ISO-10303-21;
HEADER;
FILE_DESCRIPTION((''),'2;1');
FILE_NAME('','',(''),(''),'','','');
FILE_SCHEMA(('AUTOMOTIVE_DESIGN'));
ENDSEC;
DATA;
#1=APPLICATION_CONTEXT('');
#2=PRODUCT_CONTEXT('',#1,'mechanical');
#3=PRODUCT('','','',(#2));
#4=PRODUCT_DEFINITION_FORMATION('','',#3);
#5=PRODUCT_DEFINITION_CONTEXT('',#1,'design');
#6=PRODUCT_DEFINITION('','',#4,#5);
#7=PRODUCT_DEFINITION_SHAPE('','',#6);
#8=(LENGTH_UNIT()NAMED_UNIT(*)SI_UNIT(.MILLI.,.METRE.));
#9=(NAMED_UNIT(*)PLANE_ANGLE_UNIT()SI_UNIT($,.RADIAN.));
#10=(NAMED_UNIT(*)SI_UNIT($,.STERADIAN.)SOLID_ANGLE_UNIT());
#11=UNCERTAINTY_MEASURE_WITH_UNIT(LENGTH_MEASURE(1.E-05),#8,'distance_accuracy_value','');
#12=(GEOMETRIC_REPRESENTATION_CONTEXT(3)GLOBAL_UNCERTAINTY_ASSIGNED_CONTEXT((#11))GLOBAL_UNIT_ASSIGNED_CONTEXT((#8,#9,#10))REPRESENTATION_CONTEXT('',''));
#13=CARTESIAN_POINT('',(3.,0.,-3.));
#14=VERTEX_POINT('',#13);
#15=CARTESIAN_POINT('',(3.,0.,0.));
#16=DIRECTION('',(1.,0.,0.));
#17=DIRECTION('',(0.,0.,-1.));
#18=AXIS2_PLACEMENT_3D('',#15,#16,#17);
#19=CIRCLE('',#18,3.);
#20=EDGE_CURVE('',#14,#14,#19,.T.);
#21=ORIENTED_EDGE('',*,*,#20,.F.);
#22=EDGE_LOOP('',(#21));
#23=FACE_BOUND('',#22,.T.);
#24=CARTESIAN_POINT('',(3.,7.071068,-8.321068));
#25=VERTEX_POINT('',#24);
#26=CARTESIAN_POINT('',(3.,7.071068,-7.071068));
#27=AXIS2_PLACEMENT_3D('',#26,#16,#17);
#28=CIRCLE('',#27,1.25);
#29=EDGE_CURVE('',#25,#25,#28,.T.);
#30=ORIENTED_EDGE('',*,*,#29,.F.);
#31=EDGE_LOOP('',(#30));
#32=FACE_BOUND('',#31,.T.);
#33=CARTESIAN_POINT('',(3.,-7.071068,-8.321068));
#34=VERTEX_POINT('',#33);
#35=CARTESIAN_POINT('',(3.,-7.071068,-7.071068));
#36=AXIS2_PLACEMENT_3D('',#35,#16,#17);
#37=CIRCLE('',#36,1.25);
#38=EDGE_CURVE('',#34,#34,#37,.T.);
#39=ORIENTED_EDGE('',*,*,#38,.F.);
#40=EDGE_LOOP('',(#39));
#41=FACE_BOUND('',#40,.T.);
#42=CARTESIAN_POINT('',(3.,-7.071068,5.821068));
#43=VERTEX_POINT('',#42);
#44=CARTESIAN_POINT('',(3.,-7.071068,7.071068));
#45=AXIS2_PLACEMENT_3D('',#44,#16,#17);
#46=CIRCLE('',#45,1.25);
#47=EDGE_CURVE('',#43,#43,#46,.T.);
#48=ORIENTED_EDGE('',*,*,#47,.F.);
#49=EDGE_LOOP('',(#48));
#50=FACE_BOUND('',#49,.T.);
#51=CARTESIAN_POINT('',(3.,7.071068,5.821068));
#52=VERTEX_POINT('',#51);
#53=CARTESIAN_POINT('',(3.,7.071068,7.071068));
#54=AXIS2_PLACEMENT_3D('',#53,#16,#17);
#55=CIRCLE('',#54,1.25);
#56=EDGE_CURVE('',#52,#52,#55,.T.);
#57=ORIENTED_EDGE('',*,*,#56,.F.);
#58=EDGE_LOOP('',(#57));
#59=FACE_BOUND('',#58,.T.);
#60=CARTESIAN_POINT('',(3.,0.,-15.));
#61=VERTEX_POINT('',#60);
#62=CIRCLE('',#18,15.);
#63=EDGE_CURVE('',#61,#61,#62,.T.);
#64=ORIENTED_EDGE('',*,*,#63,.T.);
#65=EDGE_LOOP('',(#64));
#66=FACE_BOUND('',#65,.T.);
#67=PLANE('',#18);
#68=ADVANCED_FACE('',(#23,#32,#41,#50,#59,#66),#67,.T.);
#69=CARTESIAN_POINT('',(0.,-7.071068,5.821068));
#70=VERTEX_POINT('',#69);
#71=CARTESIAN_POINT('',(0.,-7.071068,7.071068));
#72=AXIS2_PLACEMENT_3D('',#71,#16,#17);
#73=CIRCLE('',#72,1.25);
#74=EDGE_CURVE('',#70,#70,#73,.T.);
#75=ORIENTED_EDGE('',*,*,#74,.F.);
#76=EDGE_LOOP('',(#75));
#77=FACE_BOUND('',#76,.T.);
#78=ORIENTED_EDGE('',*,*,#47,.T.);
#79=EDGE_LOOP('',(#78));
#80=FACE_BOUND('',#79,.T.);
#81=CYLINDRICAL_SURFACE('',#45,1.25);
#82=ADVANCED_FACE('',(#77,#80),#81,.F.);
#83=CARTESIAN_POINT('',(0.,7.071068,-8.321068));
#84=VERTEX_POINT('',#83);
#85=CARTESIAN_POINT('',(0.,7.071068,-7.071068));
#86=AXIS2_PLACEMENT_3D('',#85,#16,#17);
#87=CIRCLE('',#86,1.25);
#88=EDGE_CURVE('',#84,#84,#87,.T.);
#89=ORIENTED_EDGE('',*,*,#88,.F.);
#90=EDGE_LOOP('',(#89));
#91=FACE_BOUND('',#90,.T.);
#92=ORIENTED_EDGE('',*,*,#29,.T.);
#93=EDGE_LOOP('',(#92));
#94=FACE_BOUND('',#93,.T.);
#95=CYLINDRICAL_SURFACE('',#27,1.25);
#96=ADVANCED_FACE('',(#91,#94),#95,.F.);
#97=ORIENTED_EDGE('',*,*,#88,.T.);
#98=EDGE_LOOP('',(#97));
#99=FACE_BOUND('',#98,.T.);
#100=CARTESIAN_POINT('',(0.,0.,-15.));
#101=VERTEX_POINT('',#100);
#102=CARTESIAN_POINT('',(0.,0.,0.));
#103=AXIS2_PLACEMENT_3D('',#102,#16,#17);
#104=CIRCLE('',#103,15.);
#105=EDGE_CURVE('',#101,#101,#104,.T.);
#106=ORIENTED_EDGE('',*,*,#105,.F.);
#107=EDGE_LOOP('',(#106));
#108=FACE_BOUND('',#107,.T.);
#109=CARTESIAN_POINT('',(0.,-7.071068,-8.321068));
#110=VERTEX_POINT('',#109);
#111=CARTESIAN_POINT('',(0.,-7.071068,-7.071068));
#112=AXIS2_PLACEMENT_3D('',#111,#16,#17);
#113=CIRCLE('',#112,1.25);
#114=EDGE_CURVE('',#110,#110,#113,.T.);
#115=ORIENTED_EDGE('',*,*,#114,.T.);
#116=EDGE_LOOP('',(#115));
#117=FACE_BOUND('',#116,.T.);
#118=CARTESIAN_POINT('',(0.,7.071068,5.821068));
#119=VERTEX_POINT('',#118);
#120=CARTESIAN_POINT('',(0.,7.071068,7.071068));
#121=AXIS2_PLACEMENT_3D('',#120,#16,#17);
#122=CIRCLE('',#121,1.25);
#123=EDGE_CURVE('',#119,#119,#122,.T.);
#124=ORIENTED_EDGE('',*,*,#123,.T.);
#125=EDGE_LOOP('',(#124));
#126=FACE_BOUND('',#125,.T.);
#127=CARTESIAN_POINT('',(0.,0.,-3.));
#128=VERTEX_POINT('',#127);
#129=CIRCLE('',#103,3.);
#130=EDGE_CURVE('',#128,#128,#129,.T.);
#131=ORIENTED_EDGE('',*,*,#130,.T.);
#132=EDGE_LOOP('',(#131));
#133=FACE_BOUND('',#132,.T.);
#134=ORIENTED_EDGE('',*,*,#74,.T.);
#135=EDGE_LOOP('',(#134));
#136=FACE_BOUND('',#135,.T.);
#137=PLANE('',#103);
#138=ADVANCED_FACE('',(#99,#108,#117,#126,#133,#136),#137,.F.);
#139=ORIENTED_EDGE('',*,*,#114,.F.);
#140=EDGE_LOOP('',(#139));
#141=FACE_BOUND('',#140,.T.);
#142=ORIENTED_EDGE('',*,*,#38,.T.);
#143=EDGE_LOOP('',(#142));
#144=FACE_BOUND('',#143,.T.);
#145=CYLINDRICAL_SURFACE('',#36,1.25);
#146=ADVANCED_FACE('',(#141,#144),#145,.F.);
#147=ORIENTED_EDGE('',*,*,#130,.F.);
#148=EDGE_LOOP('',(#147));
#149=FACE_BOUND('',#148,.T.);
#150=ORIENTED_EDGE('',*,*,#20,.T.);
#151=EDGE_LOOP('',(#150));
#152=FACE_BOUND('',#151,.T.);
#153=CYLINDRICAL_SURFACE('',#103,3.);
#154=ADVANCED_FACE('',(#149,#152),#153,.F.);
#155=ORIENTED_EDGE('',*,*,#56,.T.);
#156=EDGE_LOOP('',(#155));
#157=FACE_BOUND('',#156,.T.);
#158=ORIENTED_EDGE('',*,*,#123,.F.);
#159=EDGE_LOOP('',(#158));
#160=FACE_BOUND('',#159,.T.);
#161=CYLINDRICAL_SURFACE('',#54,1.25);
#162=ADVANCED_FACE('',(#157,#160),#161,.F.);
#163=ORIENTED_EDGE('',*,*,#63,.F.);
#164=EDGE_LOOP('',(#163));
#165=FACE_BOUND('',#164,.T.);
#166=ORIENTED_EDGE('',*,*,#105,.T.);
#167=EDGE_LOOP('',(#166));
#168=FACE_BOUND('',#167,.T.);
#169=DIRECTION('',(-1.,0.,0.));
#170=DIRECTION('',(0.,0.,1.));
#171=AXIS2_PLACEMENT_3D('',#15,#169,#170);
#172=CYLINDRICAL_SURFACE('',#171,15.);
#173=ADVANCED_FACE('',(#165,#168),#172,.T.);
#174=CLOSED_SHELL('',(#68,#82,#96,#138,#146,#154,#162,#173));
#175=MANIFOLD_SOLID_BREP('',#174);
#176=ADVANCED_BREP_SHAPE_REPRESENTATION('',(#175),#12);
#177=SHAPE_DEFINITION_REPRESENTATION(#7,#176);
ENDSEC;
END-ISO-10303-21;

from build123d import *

# Parameters (mm, degrees)
SKETCH_1_R          = 15
EXTRUDE_1_DEPTH     = 3
M3X0_5_1_D          = 2.5
SKETCH_6_R          = 3
CUT_EXTRUDE_2_DEPTH = 22.424285286


with BuildPart() as part:
    # ｽｹｯﾁ1 → ﾎﾞｽ - 押し出し1 (new body)
    with BuildSketch(Plane(origin=(0, 0, 0), x_dir=(0, 0, -1), z_dir=(1, 0, 0))):
        Circle(SKETCH_1_R)
    extrude(amount=EXTRUDE_1_DEPTH)

    # M3x0.5 ねじ穴1 (through all)
    with Locations(Plane(origin=(3, 0, 0), x_dir=(0, 0, -1), z_dir=(1, 0, 0))):
        with Locations((-7.071067812, 7.071067812), (7.071067812, -7.071067812), (7.071067812, 7.071067812), (-7.071067812, -7.071067812)):
            Hole(M3X0_5_1_D / 2)

    # ｽｹｯﾁ6 → ｶｯﾄ - 押し出し2 (cut, through all)
    with BuildSketch(Plane(origin=(3, 0, 0), x_dir=(0, 0, -1), z_dir=(1, 0, 0))):
        Circle(SKETCH_6_R)
    extrude(amount=-CUT_EXTRUDE_2_DEPTH, mode=Mode.SUBTRACT)


solid = part.part
